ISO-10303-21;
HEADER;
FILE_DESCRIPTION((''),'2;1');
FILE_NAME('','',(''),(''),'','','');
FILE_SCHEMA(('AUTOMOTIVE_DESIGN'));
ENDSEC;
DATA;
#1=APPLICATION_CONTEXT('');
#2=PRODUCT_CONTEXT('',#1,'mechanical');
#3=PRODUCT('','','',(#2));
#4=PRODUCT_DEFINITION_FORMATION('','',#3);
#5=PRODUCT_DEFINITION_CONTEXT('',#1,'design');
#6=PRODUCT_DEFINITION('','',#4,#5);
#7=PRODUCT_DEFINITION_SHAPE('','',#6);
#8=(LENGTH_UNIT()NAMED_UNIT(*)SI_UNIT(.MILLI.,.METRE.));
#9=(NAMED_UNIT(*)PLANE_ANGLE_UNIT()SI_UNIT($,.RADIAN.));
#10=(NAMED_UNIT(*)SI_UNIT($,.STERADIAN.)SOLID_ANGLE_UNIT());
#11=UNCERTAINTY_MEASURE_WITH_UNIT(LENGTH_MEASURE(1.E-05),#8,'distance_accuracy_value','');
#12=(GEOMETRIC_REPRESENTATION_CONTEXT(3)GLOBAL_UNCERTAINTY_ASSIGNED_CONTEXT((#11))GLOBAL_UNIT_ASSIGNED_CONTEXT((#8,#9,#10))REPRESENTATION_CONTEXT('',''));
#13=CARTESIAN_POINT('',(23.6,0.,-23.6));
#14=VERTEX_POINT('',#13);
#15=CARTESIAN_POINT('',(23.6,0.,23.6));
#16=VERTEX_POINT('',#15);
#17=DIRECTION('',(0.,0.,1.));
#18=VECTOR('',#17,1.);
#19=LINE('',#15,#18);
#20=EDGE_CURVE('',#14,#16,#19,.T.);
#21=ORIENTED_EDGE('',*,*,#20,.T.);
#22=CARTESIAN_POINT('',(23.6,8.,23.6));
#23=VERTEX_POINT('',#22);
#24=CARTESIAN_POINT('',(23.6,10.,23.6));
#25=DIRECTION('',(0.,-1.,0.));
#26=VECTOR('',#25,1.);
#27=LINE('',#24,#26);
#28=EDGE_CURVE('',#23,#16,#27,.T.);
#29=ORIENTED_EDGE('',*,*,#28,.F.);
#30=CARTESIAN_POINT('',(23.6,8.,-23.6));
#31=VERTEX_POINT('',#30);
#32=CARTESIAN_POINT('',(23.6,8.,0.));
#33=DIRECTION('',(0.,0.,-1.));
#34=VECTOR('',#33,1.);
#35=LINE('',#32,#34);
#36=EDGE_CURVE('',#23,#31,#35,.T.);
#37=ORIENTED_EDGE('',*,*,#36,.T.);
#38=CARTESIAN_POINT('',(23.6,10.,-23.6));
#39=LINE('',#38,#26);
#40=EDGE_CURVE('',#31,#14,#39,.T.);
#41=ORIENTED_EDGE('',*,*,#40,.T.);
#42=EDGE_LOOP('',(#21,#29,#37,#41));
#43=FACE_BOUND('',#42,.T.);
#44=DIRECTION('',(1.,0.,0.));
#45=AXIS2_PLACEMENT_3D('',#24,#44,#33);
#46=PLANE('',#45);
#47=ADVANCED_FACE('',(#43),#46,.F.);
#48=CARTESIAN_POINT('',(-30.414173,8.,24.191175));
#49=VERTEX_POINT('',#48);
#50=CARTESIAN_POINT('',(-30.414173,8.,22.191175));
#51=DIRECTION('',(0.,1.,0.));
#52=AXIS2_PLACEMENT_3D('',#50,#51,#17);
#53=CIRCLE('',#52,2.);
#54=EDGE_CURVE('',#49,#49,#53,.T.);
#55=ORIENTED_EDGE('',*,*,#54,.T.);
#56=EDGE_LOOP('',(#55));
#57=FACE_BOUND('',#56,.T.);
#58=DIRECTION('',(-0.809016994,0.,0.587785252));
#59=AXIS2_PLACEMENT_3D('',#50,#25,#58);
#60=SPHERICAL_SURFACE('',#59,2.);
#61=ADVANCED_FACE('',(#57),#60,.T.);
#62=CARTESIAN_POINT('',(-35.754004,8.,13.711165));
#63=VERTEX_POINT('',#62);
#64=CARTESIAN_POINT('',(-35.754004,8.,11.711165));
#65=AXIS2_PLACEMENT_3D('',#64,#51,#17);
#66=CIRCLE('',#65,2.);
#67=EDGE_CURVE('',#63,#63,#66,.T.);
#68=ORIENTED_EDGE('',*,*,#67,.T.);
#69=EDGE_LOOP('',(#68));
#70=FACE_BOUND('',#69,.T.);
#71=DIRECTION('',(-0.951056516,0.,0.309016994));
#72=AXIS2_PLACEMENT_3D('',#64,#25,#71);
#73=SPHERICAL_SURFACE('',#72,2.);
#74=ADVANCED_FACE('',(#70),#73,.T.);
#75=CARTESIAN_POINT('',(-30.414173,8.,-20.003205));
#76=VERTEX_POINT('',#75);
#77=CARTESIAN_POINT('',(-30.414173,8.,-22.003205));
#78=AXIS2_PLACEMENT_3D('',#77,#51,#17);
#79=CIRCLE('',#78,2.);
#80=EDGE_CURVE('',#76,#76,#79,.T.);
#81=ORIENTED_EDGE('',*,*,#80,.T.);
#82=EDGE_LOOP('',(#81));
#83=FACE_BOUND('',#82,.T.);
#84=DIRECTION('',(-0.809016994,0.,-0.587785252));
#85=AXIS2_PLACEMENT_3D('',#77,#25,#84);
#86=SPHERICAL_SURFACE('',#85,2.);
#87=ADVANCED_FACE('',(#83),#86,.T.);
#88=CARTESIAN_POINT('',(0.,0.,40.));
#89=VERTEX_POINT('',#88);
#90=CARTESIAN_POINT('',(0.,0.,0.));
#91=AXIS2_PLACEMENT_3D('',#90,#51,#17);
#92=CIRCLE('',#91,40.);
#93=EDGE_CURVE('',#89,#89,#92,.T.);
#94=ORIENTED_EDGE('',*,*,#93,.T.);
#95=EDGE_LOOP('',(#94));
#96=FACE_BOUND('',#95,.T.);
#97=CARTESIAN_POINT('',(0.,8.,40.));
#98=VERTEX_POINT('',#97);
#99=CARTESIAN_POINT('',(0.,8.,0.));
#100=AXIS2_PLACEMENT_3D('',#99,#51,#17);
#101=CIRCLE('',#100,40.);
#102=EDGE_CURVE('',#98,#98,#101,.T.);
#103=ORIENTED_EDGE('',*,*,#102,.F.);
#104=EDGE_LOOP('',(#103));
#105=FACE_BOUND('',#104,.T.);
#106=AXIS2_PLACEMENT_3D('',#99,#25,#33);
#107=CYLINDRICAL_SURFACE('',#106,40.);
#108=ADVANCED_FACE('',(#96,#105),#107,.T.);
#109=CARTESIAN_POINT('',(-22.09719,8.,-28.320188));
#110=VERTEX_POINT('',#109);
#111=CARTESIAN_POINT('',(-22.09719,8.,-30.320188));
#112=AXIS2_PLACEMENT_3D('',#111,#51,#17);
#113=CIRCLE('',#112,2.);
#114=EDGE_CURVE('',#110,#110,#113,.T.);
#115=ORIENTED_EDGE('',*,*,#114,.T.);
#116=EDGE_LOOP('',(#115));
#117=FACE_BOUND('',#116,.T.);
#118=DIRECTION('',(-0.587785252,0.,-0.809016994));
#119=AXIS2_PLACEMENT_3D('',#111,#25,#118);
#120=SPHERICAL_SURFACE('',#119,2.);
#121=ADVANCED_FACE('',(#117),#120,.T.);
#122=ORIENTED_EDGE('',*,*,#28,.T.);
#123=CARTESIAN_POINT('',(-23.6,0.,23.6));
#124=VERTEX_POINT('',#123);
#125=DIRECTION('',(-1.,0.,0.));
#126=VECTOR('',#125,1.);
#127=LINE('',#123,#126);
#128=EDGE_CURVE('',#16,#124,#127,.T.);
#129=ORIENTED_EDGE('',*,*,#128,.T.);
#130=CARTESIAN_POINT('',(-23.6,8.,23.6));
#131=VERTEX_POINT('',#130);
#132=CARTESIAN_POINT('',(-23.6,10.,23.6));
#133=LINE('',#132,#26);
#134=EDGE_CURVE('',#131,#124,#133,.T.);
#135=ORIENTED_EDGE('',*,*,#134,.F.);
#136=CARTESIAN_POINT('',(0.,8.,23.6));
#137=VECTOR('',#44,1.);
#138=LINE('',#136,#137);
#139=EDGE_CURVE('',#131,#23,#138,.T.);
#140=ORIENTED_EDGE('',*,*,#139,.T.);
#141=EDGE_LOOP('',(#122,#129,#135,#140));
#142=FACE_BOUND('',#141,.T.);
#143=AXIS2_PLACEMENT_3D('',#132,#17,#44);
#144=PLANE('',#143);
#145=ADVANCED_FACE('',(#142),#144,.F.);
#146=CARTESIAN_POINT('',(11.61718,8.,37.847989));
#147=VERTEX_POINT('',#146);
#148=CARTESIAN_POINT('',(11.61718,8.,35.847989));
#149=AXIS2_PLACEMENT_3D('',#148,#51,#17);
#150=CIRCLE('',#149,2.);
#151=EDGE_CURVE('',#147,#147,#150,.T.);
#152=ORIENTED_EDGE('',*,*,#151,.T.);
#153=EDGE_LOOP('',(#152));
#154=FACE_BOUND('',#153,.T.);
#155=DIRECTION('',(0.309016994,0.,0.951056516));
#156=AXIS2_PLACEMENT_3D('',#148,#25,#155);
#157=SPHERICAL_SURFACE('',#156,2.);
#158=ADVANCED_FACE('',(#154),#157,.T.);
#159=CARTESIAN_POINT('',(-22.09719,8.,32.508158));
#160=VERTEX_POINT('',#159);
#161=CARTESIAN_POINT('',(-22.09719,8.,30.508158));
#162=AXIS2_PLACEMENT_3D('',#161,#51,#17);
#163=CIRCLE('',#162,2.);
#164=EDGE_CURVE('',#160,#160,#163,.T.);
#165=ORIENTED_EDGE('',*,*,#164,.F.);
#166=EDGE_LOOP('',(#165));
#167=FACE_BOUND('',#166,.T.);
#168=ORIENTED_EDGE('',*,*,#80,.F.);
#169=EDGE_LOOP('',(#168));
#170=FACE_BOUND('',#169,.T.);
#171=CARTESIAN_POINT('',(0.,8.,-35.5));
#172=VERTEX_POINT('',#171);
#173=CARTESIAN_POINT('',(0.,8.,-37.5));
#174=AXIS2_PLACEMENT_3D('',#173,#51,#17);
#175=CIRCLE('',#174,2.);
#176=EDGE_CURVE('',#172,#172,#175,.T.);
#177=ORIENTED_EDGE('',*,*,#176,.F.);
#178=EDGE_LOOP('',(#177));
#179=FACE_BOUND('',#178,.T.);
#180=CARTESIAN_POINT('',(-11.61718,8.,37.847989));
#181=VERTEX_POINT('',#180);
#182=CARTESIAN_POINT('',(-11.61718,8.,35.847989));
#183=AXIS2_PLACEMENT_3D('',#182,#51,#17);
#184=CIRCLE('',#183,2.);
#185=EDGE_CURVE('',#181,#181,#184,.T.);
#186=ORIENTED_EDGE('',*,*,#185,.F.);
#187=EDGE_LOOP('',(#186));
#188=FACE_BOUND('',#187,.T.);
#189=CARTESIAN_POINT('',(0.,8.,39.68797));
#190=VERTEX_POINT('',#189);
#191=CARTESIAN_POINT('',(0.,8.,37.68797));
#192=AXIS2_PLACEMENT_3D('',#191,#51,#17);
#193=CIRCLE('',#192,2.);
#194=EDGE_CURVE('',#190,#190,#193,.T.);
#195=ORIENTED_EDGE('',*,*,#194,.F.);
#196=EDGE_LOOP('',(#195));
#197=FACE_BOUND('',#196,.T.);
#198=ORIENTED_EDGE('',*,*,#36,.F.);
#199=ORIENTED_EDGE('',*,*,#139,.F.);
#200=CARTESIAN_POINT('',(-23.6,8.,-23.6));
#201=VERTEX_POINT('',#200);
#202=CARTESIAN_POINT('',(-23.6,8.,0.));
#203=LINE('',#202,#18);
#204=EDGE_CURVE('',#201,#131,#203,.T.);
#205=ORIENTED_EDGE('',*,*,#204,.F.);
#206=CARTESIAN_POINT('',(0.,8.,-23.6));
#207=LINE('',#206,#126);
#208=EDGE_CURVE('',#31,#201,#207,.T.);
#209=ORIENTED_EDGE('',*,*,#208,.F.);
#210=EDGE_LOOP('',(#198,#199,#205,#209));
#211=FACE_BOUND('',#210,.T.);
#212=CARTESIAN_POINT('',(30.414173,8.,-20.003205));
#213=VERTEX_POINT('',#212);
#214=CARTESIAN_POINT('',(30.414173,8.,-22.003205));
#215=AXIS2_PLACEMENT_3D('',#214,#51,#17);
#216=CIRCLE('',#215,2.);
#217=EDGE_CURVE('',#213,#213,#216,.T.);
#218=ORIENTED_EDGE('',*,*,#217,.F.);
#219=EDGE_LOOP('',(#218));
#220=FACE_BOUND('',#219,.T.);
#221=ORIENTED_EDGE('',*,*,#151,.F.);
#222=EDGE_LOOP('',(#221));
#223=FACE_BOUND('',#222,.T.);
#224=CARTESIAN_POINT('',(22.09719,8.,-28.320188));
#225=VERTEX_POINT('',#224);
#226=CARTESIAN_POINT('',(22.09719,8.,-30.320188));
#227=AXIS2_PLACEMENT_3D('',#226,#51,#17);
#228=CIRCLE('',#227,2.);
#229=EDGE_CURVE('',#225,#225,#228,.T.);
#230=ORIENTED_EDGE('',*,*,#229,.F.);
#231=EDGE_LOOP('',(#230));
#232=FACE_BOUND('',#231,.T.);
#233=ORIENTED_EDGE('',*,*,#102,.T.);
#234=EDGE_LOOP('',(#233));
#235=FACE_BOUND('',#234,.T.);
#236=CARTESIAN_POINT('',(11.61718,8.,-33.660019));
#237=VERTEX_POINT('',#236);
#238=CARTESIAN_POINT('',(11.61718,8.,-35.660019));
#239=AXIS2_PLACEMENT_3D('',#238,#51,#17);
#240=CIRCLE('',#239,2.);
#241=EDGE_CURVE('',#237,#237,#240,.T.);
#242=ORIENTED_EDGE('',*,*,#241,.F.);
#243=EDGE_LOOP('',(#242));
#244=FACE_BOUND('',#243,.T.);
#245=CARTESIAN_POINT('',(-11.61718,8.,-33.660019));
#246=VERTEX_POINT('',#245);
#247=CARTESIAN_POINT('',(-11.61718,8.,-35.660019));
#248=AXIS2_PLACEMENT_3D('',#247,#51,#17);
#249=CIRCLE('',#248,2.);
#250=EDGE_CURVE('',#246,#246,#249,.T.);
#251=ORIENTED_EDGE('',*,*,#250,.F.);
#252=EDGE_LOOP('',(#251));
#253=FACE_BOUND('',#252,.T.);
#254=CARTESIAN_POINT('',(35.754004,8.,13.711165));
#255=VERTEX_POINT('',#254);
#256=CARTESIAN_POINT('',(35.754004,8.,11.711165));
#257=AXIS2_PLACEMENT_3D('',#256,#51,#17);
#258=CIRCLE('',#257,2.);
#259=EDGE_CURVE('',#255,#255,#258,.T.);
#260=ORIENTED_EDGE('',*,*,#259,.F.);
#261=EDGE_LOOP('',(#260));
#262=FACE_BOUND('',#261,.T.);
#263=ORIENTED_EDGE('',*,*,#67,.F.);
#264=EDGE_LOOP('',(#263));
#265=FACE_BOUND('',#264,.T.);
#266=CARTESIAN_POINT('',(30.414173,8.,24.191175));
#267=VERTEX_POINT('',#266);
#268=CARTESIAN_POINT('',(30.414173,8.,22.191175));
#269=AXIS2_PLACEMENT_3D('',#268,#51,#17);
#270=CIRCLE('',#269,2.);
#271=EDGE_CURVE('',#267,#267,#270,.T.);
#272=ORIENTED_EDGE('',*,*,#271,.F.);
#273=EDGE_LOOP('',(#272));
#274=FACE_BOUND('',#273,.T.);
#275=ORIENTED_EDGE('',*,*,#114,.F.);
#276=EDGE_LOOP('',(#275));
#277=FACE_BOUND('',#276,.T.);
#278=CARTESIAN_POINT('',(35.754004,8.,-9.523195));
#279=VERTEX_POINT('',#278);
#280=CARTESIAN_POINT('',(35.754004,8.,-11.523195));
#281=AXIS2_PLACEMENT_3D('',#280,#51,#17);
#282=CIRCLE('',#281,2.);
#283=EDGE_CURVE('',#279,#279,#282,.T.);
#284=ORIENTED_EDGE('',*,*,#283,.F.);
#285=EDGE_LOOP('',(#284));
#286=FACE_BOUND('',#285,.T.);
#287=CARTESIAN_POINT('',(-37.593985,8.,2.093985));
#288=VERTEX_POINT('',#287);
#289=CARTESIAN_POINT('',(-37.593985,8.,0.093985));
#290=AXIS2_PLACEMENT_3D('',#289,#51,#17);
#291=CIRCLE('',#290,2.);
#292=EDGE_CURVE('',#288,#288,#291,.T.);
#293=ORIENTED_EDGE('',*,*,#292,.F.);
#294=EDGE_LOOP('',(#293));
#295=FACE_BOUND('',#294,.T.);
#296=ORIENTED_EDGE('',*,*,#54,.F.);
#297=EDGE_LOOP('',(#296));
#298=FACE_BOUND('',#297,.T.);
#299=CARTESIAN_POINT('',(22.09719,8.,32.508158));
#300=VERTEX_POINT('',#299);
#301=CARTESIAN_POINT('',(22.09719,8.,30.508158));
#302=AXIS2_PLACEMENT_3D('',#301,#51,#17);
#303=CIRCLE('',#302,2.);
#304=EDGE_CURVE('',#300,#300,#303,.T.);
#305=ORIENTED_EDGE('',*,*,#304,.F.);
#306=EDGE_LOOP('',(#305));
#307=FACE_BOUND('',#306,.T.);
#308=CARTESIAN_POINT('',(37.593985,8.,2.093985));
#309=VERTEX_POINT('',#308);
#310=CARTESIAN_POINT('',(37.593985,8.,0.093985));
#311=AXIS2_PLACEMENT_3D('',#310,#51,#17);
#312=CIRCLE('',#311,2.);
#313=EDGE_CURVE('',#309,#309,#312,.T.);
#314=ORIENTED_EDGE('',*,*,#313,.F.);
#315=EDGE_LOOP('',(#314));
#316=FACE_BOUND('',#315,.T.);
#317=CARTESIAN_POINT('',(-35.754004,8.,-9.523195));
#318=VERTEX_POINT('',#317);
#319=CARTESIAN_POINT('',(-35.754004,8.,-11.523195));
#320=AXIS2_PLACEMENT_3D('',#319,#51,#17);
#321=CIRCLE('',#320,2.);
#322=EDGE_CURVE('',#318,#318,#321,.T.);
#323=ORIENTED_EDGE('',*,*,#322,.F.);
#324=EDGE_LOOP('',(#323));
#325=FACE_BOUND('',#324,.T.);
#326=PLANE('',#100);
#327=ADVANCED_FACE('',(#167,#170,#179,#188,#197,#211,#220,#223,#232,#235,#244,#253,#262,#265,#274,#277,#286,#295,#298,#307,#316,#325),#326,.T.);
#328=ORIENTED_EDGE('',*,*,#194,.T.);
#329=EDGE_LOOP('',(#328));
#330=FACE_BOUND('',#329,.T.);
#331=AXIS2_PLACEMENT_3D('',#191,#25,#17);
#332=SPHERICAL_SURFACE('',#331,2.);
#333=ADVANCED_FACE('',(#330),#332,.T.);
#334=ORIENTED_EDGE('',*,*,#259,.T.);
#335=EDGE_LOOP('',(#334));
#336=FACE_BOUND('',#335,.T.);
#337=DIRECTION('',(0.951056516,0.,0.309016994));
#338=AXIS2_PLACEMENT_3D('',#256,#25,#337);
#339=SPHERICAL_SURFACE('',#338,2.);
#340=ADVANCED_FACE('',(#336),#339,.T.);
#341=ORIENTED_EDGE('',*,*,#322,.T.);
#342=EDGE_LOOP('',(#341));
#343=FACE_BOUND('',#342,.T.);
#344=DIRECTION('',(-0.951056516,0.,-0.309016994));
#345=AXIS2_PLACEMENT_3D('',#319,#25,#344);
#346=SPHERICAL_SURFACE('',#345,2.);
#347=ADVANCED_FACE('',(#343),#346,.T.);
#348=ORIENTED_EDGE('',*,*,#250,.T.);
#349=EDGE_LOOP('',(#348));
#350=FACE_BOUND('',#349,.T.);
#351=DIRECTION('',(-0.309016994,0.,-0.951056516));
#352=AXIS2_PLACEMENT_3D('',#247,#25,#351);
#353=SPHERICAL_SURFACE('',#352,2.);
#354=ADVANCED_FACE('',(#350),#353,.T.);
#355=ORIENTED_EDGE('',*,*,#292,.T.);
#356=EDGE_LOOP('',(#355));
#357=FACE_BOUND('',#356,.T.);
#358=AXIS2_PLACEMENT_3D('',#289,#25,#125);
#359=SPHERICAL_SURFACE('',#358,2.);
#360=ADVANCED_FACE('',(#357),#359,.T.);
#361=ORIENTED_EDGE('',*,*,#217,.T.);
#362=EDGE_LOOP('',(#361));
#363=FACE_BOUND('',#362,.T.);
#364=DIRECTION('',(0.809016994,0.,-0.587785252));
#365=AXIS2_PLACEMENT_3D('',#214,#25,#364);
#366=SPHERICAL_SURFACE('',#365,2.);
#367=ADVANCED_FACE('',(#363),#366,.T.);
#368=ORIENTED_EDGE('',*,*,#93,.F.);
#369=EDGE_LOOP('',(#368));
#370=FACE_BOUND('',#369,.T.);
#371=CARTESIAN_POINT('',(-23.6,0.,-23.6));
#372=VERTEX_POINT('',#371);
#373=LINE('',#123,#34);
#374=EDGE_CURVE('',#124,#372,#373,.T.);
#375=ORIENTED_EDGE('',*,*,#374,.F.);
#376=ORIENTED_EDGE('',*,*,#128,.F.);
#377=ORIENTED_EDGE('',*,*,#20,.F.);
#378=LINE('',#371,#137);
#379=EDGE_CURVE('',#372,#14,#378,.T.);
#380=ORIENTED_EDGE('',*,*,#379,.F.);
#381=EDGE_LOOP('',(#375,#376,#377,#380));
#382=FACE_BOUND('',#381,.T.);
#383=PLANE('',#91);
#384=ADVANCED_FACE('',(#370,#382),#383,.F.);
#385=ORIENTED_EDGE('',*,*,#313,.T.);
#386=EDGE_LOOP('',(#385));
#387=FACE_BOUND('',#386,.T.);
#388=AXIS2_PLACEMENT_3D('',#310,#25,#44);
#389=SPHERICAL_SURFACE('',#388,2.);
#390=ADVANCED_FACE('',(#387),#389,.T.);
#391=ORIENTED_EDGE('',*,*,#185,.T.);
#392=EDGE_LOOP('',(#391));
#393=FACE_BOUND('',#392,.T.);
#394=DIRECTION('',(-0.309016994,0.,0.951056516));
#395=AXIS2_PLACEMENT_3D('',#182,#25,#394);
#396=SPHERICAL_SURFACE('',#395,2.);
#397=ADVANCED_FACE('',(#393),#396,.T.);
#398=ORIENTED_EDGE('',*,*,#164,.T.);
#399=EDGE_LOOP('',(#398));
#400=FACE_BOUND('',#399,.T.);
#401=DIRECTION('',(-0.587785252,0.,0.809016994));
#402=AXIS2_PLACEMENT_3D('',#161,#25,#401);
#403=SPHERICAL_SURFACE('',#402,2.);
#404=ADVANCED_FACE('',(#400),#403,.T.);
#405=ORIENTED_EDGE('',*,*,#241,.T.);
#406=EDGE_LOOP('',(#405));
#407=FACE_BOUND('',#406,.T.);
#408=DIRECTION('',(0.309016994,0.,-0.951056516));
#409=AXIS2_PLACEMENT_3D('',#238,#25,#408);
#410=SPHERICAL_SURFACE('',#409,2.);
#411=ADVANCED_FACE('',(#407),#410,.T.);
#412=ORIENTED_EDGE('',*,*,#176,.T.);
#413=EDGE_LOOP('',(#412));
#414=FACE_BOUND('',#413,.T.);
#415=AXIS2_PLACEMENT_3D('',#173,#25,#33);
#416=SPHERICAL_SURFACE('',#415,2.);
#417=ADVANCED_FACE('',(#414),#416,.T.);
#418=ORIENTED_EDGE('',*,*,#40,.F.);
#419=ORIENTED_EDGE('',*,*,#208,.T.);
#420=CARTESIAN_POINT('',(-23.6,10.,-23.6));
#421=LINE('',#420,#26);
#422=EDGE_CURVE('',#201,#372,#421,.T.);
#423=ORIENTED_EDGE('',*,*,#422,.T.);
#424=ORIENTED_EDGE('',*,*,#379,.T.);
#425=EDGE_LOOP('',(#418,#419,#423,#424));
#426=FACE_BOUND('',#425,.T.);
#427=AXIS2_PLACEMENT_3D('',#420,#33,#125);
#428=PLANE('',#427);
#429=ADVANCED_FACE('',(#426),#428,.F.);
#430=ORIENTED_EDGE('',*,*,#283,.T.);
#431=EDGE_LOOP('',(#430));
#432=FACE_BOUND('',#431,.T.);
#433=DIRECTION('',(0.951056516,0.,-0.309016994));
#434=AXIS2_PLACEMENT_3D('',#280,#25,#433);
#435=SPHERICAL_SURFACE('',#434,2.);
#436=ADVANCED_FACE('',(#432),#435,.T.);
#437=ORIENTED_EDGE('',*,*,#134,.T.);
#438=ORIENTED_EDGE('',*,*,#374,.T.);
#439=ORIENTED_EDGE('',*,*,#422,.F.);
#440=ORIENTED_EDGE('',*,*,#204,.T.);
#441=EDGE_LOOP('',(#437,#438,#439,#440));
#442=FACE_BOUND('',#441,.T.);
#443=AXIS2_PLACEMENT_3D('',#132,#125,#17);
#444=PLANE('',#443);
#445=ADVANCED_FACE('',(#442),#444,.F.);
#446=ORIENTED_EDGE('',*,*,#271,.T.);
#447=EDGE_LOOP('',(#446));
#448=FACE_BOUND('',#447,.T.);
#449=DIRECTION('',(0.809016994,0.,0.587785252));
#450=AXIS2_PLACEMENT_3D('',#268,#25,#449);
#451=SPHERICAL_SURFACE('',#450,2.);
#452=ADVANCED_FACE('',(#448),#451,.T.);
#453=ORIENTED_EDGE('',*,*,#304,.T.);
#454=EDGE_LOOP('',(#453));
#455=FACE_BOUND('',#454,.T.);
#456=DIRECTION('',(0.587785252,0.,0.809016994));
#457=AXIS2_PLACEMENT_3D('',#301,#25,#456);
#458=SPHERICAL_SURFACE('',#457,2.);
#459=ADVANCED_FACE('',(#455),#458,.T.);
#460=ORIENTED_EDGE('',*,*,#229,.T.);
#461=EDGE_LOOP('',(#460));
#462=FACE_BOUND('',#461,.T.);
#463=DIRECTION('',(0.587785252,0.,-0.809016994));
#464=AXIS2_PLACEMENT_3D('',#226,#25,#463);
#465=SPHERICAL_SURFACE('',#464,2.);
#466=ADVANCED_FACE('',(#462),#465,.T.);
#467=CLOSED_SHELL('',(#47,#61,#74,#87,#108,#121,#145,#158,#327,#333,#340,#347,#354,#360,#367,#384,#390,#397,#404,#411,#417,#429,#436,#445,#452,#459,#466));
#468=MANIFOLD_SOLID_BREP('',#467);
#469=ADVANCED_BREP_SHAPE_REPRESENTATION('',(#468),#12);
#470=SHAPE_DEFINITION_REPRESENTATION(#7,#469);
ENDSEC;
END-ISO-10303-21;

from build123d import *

# Parameters (mm, degrees)
SKETCH1_R           = 40
BOSS_EXTRUDE1_DEPTH = 8
CIRPATTERN1_COUNT   = 20
SKETCH4_W           = 47.2
SKETCH4_H           = 47.2
CUT_EXTRUDE1_DEPTH  = 10


with BuildPart() as part:
    # Sketch1 → Boss-Extrude1 (new body)
    with BuildSketch(Plane(origin=(0, 0, 0), x_dir=(1, 0, 0), z_dir=(0, 1, 0))):
        with Locations(Location((0, 0, 0), (0, 0, 270))):
            Circle(SKETCH1_R)
    extrude(amount=BOSS_EXTRUDE1_DEPTH)

    # Sketch3 → Revolve1 (revolve)
    with BuildSketch(Plane(origin=(0, 0, 0), x_dir=(0, 0, -1), z_dir=(1, 0, 0))):
        with BuildLine():
            Line((37.5, 8), (37.5, 10))
            ThreePointArc((37.5, 10), (38.914213562, 9.414213562), (39.5, 8))
            Line((39.5, 8), (37.5, 8))
        make_face()
    revolve1 = revolve(axis=Axis((0, 8, -37.5), (0, 1, 0)))

    # CirPattern1: Revolve1 ×20 about axis
    cirpattern1_axis = Axis((0, 0, 0.093984962), (0, 1, 0))
    for i in range(1, CIRPATTERN1_COUNT):
        add(revolve1.rotate(cirpattern1_axis, i * 360 / CIRPATTERN1_COUNT))

    # Sketch4 → Cut-Extrude1 (cut)
    with BuildSketch(Plane.XZ):
        Rectangle(SKETCH4_W, SKETCH4_H)
    extrude(amount=-CUT_EXTRUDE1_DEPTH, mode=Mode.SUBTRACT)


solid = part.part
